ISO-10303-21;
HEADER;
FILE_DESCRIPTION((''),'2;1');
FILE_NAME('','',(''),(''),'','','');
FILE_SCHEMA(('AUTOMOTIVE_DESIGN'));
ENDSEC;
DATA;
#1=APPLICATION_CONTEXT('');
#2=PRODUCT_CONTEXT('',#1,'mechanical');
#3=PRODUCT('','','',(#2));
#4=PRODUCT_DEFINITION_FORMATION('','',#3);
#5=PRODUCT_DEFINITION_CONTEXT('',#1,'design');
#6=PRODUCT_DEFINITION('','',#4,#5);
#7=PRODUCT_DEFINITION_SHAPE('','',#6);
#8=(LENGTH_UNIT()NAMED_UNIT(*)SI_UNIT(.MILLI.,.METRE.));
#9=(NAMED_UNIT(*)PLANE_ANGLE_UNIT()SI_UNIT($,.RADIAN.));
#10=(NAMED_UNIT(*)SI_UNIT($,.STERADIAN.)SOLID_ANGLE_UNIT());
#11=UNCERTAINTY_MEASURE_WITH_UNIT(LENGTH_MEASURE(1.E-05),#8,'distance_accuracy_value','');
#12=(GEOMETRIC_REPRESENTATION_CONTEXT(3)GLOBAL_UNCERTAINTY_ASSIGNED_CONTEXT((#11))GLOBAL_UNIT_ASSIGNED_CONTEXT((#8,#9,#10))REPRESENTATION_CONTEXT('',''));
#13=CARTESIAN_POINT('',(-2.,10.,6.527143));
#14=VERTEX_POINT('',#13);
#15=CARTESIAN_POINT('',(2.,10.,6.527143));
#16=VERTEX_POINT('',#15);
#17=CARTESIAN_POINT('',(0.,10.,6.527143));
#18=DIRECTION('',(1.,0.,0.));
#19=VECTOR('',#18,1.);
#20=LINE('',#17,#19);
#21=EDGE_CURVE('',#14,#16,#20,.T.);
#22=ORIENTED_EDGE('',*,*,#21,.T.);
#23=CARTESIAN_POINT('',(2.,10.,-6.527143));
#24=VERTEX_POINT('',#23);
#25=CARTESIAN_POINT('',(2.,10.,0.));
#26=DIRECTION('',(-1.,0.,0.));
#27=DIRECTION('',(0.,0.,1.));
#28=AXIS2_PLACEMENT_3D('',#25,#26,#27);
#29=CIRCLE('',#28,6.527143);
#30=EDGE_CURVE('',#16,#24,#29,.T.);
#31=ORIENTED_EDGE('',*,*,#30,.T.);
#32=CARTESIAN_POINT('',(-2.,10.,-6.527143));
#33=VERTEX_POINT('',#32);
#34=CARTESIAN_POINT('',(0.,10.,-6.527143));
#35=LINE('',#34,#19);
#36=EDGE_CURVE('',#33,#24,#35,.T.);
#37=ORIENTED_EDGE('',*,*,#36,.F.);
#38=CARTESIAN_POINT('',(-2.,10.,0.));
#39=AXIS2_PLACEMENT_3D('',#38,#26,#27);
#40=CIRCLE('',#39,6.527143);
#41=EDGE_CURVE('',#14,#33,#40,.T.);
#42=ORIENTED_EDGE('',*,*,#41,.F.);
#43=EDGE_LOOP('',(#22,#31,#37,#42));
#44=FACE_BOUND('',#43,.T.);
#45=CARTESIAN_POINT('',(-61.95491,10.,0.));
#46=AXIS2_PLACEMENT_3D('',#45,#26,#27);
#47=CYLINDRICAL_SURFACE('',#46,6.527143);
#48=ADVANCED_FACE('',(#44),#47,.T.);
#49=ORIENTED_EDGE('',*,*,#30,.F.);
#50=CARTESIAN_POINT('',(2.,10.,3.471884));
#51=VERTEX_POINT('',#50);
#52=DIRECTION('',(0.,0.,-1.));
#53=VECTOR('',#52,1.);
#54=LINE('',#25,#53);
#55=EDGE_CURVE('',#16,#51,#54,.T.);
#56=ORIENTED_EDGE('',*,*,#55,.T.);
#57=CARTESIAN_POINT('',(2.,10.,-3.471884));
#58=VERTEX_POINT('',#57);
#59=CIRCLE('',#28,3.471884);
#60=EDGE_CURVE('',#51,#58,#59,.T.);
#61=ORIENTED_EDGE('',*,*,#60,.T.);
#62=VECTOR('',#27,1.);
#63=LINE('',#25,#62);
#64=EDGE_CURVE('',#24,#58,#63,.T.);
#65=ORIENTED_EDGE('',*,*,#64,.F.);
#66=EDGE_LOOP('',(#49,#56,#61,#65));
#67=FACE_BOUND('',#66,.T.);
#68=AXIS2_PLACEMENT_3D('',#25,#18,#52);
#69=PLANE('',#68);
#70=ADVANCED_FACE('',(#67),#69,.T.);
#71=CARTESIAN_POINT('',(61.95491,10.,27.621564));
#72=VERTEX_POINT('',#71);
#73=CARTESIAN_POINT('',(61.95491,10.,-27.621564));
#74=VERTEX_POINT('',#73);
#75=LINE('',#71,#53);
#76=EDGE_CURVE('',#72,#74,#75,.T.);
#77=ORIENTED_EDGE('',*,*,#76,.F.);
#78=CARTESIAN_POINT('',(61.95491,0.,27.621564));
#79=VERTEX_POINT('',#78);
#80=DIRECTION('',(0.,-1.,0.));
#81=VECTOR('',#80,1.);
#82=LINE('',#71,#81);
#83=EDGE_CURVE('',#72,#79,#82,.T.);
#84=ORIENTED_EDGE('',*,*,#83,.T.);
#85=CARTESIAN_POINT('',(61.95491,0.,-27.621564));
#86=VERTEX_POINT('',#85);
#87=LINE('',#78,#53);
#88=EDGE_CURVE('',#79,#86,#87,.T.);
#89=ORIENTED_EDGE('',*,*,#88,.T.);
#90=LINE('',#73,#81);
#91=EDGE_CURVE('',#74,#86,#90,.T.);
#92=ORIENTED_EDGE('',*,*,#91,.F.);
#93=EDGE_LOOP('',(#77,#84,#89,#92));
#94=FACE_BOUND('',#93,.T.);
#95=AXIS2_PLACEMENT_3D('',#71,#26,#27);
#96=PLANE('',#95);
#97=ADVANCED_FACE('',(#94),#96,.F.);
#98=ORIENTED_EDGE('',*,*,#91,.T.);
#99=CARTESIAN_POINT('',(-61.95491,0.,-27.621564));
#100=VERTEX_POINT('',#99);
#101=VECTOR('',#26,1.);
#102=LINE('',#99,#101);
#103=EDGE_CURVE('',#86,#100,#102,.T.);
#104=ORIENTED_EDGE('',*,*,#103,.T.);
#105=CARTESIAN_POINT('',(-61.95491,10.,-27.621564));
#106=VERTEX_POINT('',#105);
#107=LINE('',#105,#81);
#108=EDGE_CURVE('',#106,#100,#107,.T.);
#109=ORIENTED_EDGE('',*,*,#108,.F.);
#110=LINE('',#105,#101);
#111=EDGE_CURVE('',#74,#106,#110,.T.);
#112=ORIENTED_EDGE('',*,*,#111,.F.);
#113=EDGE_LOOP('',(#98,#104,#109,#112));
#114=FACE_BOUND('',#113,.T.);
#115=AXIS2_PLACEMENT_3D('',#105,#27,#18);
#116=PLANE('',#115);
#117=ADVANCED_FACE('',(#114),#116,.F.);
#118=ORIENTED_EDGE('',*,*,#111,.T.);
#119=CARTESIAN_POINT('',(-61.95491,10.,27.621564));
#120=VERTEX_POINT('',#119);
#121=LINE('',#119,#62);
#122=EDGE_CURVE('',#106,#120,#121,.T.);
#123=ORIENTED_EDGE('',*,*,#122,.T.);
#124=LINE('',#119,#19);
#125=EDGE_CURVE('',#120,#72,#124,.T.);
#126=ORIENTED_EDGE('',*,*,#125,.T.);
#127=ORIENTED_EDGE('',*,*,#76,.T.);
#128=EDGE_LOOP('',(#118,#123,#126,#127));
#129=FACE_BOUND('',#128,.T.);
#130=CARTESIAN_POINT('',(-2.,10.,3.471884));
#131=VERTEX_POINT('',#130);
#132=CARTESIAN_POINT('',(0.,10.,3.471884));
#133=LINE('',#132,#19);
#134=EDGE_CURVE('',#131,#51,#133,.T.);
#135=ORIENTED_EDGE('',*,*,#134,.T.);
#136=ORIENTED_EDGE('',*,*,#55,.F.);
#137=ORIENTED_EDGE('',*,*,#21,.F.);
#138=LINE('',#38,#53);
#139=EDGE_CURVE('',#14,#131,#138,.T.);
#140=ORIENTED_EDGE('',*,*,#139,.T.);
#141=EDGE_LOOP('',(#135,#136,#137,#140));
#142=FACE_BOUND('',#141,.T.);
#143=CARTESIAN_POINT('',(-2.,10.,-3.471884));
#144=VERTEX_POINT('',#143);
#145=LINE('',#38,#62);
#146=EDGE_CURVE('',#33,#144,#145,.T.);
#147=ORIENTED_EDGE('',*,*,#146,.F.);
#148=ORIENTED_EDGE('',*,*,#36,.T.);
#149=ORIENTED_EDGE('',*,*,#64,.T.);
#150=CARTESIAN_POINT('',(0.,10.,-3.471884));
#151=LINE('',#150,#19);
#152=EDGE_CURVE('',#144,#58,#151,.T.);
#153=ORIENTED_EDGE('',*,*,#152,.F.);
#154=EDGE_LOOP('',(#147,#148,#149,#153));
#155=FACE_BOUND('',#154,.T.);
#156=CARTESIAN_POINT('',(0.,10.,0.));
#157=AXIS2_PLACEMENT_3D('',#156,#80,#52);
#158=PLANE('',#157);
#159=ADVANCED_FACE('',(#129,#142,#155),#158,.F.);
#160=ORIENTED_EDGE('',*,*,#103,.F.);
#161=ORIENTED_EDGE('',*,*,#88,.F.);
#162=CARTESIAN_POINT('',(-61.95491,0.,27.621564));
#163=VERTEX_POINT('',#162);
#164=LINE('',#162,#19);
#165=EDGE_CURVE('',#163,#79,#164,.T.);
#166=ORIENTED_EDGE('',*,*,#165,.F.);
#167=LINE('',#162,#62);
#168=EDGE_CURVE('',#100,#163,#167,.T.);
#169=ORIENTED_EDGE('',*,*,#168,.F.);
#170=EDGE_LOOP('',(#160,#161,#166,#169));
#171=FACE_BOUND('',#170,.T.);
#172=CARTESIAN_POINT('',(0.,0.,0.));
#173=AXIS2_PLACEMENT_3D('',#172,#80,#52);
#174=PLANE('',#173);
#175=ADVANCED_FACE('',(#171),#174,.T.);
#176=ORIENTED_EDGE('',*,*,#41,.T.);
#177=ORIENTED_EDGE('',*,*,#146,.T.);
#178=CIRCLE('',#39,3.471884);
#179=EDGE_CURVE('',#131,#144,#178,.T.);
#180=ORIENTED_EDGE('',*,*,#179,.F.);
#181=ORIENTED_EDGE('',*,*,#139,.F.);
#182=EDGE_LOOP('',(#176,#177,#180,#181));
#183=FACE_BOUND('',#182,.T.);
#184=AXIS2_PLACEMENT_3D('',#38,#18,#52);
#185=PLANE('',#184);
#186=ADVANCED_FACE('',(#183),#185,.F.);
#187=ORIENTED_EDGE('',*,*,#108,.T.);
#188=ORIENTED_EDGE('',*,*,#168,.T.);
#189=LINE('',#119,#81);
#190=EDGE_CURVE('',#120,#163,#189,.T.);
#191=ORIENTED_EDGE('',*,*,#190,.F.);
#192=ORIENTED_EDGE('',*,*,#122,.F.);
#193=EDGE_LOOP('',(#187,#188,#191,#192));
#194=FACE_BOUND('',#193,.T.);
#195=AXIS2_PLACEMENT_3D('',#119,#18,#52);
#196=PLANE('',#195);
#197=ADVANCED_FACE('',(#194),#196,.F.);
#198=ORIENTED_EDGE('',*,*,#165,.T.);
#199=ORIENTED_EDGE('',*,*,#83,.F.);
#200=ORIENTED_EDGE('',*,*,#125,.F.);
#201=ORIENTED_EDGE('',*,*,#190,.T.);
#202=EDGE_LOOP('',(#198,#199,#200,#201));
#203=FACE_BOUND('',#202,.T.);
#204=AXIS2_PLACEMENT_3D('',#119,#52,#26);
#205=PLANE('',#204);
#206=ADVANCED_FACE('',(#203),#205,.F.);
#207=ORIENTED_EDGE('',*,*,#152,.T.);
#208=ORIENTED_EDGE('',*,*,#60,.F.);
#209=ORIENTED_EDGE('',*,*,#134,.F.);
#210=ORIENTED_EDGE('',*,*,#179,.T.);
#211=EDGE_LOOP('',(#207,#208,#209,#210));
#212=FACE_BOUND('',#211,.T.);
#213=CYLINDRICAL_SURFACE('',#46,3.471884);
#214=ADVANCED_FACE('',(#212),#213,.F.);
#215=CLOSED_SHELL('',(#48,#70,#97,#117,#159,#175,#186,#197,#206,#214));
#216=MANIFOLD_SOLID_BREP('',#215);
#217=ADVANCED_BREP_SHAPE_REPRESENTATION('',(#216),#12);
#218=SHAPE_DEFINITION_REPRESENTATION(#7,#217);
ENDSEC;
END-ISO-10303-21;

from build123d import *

# Parameters (mm, degrees)
SKETCH2_W           = 123.909820238
SKETCH2_H           = 55.24312819
BOSS_EXTRUDE2_DEPTH = 10
SKETCH3_W           = 4
SKETCH3_H           = 3.05525832
REVOLVE4_ANGLE      = 180


with BuildPart() as part:
    # Sketch2 → Boss-Extrude2 (new body)
    with BuildSketch(Plane(origin=(0, 0, 0), x_dir=(1, 0, 0), z_dir=(0, 1, 0))):
        Rectangle(SKETCH2_W, SKETCH2_H)
    extrude(amount=BOSS_EXTRUDE2_DEPTH)

    # Sketch3 → Revolve4 (revolve)
    with BuildSketch(Plane(origin=(0, 10, 0), x_dir=(1, 0, 0), z_dir=(0, 1, 0))):
        with Locations((0, 4.999513614)):
            Rectangle(SKETCH3_W, SKETCH3_H)
    revolve(axis=Axis((-61.954910119, 10, 0), (1, 0, 0)), revolution_arc=REVOLVE4_ANGLE)


solid = part.part
